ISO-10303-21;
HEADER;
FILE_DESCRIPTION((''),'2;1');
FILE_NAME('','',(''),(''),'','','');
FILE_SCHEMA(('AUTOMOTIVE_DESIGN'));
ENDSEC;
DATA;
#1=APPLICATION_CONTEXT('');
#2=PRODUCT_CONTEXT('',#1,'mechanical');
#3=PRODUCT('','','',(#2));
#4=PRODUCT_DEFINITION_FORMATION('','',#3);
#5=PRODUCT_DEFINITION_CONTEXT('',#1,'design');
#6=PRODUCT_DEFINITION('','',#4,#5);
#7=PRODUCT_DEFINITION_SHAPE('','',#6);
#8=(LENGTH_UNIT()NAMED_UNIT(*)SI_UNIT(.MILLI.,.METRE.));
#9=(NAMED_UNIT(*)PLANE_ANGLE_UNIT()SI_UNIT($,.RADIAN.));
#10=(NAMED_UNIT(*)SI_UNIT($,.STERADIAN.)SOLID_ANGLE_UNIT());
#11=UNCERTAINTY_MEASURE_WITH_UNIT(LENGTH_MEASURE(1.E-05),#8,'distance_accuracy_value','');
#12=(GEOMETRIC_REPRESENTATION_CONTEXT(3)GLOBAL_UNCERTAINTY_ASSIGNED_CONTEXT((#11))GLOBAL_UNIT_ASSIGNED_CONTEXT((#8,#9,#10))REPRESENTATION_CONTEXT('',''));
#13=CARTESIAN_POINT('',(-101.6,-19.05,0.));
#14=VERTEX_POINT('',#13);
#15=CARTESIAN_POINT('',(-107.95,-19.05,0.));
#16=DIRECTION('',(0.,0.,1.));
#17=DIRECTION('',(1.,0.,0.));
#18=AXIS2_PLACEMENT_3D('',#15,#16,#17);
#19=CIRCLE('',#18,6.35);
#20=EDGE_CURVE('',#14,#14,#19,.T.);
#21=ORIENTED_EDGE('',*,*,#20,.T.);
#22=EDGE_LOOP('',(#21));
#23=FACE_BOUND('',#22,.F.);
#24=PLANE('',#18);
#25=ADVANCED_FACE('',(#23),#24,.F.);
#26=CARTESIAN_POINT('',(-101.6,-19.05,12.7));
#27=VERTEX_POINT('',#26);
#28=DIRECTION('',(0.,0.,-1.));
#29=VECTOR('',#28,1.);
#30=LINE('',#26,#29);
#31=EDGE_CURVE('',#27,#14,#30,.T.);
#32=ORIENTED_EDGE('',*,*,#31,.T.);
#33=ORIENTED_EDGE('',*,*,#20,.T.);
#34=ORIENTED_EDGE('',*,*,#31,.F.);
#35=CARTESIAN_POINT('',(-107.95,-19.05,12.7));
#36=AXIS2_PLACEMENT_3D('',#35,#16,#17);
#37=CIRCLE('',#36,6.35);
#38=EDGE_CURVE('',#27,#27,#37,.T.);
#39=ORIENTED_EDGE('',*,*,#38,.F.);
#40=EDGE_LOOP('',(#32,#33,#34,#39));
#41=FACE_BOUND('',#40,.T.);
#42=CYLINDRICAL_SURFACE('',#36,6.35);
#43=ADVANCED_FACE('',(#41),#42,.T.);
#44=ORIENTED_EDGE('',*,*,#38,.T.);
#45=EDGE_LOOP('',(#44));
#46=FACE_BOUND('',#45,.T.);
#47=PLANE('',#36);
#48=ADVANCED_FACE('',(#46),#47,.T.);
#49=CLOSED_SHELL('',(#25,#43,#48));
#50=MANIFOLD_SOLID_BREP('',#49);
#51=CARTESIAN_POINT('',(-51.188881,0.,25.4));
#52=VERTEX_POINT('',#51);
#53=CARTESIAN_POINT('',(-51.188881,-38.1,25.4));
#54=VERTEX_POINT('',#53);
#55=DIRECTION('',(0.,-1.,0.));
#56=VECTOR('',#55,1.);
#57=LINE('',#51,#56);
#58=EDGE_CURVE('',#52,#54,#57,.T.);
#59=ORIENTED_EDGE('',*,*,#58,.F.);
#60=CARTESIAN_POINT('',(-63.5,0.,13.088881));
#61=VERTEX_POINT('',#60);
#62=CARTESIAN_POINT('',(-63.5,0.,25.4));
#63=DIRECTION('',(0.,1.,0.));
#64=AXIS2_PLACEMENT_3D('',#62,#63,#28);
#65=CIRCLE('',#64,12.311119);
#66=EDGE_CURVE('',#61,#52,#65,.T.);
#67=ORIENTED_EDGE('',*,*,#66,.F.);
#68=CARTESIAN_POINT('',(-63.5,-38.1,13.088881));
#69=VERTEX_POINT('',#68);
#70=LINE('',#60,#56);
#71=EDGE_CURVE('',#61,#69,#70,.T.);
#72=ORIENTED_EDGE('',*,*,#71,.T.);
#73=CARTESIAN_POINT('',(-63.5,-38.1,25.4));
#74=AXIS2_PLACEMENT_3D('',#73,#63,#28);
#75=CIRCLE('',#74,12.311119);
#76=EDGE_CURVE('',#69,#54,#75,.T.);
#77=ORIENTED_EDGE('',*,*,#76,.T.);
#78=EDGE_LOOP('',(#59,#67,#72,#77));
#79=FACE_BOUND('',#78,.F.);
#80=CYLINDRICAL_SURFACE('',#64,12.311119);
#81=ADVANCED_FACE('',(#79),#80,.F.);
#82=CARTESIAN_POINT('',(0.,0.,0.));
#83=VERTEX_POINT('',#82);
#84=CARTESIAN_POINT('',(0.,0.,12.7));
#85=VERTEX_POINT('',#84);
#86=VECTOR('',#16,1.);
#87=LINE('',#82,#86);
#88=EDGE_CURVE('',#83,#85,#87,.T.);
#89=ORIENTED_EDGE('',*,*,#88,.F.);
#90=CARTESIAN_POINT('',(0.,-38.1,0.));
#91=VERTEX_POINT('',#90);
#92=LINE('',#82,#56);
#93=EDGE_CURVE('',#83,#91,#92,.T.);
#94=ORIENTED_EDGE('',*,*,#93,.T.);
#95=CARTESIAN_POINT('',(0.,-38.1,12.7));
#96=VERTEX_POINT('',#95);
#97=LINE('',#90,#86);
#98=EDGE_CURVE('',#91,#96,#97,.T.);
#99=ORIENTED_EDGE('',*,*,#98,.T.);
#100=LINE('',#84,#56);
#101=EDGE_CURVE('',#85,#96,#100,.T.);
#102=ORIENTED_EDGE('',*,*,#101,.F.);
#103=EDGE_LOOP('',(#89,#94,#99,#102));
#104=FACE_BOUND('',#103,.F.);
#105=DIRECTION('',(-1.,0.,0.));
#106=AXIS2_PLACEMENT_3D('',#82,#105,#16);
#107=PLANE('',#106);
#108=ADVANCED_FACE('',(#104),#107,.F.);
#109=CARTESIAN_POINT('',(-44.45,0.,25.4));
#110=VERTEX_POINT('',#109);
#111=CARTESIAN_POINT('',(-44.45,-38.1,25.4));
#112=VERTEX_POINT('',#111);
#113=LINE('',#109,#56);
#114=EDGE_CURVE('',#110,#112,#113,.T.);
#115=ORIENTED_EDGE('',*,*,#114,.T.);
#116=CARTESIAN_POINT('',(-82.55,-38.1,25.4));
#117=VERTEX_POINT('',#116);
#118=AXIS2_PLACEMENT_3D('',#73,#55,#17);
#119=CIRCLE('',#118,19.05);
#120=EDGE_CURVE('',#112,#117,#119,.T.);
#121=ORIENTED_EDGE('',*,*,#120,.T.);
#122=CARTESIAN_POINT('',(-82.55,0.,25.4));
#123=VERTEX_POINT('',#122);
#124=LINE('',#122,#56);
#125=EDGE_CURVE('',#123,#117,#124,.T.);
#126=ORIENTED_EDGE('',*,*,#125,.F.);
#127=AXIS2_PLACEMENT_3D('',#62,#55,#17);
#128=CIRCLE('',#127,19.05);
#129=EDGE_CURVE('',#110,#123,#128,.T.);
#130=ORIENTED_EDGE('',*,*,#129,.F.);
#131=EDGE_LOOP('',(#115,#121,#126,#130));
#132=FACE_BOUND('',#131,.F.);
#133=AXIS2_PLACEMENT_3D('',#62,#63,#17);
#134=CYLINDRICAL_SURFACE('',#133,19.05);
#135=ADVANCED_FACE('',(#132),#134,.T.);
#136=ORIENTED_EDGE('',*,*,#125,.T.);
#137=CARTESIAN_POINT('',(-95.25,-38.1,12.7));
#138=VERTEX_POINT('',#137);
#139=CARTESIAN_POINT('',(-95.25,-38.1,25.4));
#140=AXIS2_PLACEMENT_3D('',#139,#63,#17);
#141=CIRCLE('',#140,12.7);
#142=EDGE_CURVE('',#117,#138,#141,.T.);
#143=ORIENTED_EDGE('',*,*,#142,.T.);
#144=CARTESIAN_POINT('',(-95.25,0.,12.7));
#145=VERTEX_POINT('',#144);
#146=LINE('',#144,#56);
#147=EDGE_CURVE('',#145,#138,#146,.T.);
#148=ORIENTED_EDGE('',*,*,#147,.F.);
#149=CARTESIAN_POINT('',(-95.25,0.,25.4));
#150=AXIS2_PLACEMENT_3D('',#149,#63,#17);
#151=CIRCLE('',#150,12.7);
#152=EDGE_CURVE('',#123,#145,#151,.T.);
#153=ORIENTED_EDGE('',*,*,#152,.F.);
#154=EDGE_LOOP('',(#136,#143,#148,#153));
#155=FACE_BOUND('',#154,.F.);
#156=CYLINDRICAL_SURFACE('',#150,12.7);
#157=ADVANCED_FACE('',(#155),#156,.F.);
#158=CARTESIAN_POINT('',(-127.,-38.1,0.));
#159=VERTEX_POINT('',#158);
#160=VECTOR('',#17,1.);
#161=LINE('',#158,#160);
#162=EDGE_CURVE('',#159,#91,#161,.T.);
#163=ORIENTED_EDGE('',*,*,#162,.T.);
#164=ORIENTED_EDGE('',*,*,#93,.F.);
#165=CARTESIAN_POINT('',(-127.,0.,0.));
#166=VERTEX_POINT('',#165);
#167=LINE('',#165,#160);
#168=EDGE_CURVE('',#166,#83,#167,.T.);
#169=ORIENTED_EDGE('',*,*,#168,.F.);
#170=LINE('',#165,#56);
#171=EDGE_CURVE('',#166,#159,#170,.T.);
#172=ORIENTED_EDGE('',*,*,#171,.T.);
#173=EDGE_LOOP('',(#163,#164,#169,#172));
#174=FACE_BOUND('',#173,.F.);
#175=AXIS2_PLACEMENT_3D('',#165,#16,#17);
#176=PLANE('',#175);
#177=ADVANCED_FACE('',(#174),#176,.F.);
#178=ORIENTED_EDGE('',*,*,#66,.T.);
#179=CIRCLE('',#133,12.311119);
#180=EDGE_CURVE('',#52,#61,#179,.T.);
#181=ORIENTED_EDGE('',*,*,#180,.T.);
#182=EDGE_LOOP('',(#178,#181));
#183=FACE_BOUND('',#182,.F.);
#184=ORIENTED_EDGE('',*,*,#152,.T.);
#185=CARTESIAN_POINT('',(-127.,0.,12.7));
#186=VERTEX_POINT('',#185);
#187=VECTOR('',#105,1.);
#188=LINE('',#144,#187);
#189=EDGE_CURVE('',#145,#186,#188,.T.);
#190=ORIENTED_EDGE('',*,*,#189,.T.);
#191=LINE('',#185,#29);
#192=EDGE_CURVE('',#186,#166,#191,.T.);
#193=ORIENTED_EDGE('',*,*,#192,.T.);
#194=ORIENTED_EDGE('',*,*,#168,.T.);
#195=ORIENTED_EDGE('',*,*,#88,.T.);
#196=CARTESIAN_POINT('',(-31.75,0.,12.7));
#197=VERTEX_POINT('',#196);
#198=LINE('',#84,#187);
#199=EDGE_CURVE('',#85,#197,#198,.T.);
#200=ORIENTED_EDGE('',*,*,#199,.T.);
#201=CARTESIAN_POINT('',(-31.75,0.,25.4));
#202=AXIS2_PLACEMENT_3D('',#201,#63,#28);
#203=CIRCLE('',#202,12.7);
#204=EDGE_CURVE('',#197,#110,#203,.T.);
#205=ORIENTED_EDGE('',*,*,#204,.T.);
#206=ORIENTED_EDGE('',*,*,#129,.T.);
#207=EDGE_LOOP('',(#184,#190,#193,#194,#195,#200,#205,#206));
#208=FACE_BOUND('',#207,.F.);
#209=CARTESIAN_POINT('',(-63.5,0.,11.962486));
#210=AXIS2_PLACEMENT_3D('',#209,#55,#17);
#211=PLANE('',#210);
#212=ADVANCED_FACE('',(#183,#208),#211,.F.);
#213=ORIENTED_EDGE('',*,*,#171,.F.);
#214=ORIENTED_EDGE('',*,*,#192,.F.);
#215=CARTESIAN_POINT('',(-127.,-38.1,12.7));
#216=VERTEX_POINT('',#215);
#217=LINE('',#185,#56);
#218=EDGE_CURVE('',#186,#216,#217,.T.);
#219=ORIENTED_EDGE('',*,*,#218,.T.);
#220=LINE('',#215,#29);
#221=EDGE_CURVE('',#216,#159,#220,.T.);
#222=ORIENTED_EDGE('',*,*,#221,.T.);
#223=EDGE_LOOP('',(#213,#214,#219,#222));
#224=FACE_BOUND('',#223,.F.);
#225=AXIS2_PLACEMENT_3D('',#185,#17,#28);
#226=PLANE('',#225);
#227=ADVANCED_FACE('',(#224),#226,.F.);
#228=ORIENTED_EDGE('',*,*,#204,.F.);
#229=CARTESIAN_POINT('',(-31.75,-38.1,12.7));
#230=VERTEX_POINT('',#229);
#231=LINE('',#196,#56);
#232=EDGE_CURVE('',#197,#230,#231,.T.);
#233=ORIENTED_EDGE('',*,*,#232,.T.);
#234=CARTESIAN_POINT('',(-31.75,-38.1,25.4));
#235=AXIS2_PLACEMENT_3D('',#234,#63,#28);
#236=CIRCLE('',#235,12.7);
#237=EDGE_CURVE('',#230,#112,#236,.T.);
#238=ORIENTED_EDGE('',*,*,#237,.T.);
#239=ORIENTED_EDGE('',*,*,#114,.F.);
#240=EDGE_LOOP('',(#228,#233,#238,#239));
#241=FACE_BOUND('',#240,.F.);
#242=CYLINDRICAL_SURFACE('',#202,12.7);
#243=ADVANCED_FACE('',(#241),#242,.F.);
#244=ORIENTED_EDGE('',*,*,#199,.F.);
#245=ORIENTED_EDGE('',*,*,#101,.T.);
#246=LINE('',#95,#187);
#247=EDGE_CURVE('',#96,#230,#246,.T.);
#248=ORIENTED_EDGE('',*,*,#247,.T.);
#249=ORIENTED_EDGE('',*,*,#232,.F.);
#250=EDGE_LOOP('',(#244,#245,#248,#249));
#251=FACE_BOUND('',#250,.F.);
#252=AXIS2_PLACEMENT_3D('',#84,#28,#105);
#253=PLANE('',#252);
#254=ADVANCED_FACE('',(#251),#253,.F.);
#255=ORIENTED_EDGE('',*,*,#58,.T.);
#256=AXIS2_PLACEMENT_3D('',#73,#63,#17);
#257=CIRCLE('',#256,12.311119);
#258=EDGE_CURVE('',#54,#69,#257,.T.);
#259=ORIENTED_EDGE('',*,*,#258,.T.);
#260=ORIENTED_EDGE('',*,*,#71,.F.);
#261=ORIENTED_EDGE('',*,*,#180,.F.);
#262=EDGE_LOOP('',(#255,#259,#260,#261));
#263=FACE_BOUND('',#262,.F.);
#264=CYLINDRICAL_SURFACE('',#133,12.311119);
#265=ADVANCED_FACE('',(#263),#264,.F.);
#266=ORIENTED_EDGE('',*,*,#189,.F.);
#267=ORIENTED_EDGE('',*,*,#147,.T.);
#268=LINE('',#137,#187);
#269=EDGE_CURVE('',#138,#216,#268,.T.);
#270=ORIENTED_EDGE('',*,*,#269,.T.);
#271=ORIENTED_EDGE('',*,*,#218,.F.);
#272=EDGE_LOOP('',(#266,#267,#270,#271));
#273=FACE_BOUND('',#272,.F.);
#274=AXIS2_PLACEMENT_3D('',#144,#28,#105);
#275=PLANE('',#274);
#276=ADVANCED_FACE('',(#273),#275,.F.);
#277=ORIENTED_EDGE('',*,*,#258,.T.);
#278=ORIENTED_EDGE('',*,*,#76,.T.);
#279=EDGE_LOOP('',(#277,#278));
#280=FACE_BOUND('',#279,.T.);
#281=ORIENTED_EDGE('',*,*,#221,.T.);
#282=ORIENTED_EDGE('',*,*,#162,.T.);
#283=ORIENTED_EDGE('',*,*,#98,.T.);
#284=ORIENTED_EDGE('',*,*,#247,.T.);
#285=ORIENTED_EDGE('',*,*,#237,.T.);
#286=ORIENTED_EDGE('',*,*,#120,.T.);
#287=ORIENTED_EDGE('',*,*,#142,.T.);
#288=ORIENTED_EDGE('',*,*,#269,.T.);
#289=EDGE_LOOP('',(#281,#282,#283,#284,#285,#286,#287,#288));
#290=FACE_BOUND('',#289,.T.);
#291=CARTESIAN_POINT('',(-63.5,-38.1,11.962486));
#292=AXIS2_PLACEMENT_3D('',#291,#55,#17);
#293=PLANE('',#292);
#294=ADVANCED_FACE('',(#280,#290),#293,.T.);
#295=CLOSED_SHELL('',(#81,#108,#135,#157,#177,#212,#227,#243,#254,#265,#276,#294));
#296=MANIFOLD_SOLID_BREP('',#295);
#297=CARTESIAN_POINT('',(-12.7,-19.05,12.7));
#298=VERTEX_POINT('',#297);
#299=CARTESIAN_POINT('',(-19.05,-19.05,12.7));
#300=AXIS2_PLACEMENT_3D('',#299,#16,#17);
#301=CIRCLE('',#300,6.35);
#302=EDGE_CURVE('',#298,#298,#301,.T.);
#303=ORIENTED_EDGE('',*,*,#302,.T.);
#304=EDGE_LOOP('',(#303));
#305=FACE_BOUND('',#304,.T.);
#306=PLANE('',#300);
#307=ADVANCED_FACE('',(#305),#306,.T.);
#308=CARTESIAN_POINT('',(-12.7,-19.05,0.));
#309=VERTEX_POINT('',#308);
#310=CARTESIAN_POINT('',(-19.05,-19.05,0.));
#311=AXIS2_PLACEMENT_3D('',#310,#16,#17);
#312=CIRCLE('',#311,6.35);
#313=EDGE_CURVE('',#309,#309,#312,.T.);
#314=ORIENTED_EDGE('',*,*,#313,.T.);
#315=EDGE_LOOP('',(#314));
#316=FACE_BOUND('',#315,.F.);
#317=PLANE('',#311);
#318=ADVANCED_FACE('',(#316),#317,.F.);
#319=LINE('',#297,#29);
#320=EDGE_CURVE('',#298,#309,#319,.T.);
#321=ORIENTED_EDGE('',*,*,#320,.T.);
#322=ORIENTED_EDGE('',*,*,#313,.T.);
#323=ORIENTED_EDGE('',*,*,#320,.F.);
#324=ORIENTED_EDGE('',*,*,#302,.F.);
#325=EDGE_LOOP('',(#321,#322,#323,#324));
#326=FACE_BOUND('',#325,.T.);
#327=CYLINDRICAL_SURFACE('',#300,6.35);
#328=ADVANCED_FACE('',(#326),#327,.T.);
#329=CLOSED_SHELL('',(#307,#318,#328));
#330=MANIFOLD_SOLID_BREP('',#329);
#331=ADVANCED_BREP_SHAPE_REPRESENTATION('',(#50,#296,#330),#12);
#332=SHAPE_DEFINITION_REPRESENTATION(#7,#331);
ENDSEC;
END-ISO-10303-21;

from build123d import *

# Parameters (mm, degrees)
F1_DEPTH = 38.1
F2_R     = 6.35
F3_DEPTH = 12.7


with BuildPart() as f1:
    # F0 (on Front) → F1 (new body)
    with BuildSketch(Plane.XZ):
        with BuildLine():
            Line((-127, 12.7), (-127, 0))
            Line((-127, 0), (-63.5, 0))
            Line((-63.5, 0), (0, 0))
            Line((0, 0), (0, 12.7))
            Line((0, 12.7), (-24.7968353347, 12.7))
            Line((-24.7968353347, 12.7), (-31.75, 12.7))
            ThreePointArc((-31.75, 12.7), (-40.7302561211, 16.4197438789), (-44.45, 25.4))
            ThreePointArc((-44.45, 25.4), (-63.5, 44.45), (-82.55, 25.4))
            ThreePointArc((-82.55, 25.4), (-86.2697438789, 16.4197438789), (-95.25, 12.7))
            Line((-95.25, 12.7), (-102.2031646653, 12.7))
            Line((-102.2031646653, 12.7), (-127, 12.7))
        make_face()
        with BuildLine():
            ThreePointArc((-51.1888807111, 25.4), (-54.7947240668, 16.6947240668), (-63.5, 13.0888807111))
            ThreePointArc((-63.5, 13.0888807111), (-72.2052759332, 34.1052759332), (-51.1888807111, 25.4))
        make_face(mode=Mode.SUBTRACT)
    extrude(amount=F1_DEPTH)


with BuildPart() as f3:
    # F2 (on face) → F3 (new body, through all)
    with BuildSketch(Plane.XY.offset(12.7)):
        with Locations((-107.95, -19.05)):
            Circle(F2_R)
    extrude(amount=-F3_DEPTH)


with BuildPart() as f3b:
    # F2 (on face) → F3, piece 2 (new body, through all)
    with BuildSketch(Plane.XY.offset(12.7)):
        with Locations((-19.05, -19.05)):
            Circle(F2_R)
    extrude(amount=-F3_DEPTH)


solid = Compound([f1.part, f3.part, f3b.part])
